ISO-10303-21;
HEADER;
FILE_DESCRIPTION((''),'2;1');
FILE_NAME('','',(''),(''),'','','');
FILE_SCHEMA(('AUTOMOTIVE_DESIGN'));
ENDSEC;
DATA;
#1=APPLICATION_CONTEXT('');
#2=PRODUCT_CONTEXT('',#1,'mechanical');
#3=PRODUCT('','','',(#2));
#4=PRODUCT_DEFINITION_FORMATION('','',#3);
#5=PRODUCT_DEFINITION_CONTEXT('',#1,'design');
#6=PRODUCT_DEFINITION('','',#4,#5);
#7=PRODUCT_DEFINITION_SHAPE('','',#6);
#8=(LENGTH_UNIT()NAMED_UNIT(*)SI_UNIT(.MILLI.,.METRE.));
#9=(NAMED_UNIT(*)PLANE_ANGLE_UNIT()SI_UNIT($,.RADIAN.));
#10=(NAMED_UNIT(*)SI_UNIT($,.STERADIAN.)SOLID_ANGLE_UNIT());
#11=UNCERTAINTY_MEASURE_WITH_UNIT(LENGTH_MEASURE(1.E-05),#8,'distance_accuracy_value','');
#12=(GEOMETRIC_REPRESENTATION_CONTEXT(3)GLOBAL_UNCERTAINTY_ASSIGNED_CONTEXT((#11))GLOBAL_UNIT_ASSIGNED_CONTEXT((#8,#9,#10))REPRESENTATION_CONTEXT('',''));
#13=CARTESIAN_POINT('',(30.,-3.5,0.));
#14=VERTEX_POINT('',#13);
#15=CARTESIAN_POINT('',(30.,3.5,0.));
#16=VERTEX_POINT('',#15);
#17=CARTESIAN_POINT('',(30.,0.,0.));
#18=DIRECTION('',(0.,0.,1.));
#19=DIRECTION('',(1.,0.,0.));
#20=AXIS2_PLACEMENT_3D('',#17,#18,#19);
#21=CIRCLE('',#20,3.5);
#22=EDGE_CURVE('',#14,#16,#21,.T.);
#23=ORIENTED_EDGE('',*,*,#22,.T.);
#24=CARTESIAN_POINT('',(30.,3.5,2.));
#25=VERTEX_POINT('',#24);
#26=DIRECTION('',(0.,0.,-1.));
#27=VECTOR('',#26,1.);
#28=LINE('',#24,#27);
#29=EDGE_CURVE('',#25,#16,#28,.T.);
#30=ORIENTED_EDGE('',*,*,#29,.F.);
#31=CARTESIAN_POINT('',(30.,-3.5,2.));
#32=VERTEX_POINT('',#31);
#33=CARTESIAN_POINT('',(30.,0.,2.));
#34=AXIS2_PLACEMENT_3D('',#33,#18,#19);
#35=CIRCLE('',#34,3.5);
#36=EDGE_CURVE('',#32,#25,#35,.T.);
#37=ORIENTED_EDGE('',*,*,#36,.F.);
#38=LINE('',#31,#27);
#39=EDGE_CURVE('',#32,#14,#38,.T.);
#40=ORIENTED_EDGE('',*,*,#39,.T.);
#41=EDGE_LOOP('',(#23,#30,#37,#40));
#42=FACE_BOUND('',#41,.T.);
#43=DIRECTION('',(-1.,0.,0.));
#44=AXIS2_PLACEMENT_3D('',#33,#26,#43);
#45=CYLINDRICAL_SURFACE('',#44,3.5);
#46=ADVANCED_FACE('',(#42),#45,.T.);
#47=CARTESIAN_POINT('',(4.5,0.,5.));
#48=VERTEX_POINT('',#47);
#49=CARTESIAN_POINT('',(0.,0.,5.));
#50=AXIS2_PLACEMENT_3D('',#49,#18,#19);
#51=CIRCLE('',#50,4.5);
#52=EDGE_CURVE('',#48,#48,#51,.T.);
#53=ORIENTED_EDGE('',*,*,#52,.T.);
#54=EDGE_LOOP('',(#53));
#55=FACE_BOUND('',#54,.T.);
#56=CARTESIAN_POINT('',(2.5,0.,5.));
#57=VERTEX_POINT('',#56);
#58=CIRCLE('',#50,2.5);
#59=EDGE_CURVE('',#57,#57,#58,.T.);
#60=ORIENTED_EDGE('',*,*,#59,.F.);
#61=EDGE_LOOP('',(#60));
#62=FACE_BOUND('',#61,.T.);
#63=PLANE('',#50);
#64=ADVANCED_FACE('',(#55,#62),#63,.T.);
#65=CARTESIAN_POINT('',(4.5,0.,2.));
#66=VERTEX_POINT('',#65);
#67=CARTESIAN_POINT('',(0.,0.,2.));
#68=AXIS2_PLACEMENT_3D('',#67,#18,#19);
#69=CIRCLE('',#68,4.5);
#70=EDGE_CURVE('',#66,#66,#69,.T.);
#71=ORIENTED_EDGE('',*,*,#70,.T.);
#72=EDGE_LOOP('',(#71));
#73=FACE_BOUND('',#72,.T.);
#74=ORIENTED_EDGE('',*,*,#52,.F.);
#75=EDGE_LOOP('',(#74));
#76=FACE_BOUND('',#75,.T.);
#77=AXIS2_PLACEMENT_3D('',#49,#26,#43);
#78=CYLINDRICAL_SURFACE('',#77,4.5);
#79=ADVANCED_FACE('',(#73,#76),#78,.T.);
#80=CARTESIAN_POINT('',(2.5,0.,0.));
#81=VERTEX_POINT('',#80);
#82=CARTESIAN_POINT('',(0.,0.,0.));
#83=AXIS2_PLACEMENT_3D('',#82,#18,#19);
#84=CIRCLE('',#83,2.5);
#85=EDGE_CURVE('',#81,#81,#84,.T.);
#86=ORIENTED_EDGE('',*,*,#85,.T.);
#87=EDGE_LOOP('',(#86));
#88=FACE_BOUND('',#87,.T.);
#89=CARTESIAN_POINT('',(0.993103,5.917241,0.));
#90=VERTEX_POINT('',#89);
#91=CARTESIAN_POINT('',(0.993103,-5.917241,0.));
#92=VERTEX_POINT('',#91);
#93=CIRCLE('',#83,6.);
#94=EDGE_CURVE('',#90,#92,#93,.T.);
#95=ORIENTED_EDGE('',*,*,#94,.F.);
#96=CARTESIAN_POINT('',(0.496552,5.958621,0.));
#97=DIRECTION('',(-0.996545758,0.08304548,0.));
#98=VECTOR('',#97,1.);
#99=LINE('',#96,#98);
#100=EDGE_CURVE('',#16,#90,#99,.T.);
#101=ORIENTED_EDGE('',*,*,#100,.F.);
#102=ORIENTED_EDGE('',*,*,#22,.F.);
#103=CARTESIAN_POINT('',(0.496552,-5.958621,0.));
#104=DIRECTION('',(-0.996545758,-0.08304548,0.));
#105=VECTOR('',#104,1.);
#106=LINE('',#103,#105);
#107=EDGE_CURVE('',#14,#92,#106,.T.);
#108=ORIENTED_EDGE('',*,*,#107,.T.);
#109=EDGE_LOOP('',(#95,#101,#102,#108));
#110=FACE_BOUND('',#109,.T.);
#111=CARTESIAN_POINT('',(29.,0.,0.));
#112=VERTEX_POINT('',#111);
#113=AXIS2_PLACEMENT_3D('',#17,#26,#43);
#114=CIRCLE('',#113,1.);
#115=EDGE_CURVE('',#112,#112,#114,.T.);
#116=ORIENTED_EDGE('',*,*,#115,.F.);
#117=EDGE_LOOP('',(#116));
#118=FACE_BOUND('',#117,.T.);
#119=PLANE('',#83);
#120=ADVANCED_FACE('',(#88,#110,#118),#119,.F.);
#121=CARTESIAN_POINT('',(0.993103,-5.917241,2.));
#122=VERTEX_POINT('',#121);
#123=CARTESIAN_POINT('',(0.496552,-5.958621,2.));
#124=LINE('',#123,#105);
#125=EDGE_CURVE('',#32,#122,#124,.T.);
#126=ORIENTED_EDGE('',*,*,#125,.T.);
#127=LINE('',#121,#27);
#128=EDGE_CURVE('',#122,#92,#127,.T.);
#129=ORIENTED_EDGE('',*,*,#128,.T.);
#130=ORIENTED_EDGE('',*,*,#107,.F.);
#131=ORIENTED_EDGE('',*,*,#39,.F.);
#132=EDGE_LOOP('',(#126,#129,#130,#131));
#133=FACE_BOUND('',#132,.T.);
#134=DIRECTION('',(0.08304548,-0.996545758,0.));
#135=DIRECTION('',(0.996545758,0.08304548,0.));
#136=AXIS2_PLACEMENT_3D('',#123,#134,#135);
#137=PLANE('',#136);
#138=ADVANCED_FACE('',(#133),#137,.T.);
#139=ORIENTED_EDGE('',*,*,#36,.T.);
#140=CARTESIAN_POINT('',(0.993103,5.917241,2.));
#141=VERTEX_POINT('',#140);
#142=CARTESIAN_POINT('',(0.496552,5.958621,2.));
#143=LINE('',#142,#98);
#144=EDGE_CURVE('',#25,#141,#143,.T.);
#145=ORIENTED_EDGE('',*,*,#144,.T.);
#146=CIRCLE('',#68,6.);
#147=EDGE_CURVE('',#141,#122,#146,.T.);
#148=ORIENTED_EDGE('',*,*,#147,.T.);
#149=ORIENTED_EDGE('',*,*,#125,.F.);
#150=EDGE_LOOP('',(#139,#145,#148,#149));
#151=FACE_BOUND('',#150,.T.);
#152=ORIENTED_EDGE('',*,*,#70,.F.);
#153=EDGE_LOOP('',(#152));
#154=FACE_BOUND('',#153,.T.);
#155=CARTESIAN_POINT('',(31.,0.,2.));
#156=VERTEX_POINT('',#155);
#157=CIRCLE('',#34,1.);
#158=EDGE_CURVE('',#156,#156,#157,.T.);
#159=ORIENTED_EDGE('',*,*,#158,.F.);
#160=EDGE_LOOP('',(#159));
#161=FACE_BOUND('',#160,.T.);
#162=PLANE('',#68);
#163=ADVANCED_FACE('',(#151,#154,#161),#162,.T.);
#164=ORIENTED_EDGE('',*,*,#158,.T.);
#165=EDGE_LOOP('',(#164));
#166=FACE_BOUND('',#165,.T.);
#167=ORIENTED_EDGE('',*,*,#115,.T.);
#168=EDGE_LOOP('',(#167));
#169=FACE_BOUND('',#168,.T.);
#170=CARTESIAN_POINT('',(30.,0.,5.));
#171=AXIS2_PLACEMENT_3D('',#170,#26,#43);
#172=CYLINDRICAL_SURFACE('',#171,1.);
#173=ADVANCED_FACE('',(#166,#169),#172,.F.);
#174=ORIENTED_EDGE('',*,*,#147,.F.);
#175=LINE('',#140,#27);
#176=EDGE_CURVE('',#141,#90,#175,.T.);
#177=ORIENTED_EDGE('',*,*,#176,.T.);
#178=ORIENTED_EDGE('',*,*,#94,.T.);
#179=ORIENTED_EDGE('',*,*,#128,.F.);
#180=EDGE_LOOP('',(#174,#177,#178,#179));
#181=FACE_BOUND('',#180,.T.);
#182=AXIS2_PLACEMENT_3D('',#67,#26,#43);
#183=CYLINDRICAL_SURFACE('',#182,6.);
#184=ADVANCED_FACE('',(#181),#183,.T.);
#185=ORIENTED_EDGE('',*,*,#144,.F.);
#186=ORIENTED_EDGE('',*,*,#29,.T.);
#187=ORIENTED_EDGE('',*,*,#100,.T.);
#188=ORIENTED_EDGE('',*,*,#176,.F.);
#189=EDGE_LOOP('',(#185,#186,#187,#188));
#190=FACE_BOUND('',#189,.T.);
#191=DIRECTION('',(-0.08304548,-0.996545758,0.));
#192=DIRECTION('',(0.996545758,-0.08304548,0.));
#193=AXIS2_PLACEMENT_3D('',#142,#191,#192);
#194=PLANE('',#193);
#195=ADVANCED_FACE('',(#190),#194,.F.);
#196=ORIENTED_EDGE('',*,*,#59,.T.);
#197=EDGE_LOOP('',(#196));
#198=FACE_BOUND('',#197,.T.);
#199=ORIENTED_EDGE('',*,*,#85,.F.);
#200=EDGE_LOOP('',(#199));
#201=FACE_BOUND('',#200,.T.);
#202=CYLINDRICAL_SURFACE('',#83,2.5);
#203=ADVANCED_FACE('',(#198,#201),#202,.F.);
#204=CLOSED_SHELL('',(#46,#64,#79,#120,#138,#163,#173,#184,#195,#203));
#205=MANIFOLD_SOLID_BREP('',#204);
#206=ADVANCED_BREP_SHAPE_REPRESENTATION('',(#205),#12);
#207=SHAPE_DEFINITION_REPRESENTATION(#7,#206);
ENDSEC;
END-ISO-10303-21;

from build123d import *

# Parameters (mm, degrees)
SKETCH1_R           = 6
SKETCH1_R_2         = 3.5
BOSS_EXTRUDE1_DEPTH = 2
SKETCH2_R           = 4.5
BOSS_EXTRUDE2_DEPTH = 3
SKETCH3_R           = 2.5
CUT_EXTRUDE1_DEPTH  = 35.398401126
CUT_EXTRUDE2_DEPTH  = 35.398401126


with BuildPart() as part:
    # Sketch1 → Boss-Extrude1 (new body)
    with BuildSketch(Plane.XY):
        Circle(SKETCH1_R)
        with Locations((30, 0)):
            Circle(SKETCH1_R_2)
        Polygon((30, 3.5), (0, 6), (0, -6), (30, -3.5), align=None)
    extrude(amount=BOSS_EXTRUDE1_DEPTH)

    # Sketch2 → Boss-Extrude2 (add)
    with BuildSketch(Plane.XY.offset(2)):
        Circle(SKETCH2_R)
    extrude(amount=BOSS_EXTRUDE2_DEPTH)

    # Sketch3 → Cut-Extrude1 (cut, through all)
    with BuildSketch(Plane.XY.offset(5)):
        Circle(SKETCH3_R)
    extrude(amount=-CUT_EXTRUDE1_DEPTH, mode=Mode.SUBTRACT)

    # Sketch4 → Cut-Extrude2 (cut, through all)
    with BuildSketch(Plane(origin=(0, 0, 0), x_dir=(-1, 0, 0), z_dir=(0, 0, -1))):
        with BuildLine():
            ThreePointArc((-29, 0), (-29.292893219, 0.707106781), (-30, 1))
            Line((-30, 1), (-30, -1))
            ThreePointArc((-30, -1), (-29.292893219, -0.707106781), (-29, 0))
        make_face()
        with BuildLine():
            Line((-30, -1), (-30, 1))
            ThreePointArc((-30, 1), (-31, 0), (-30, -1))
        make_face()
    extrude(amount=-CUT_EXTRUDE2_DEPTH, mode=Mode.SUBTRACT)


solid = part.part
